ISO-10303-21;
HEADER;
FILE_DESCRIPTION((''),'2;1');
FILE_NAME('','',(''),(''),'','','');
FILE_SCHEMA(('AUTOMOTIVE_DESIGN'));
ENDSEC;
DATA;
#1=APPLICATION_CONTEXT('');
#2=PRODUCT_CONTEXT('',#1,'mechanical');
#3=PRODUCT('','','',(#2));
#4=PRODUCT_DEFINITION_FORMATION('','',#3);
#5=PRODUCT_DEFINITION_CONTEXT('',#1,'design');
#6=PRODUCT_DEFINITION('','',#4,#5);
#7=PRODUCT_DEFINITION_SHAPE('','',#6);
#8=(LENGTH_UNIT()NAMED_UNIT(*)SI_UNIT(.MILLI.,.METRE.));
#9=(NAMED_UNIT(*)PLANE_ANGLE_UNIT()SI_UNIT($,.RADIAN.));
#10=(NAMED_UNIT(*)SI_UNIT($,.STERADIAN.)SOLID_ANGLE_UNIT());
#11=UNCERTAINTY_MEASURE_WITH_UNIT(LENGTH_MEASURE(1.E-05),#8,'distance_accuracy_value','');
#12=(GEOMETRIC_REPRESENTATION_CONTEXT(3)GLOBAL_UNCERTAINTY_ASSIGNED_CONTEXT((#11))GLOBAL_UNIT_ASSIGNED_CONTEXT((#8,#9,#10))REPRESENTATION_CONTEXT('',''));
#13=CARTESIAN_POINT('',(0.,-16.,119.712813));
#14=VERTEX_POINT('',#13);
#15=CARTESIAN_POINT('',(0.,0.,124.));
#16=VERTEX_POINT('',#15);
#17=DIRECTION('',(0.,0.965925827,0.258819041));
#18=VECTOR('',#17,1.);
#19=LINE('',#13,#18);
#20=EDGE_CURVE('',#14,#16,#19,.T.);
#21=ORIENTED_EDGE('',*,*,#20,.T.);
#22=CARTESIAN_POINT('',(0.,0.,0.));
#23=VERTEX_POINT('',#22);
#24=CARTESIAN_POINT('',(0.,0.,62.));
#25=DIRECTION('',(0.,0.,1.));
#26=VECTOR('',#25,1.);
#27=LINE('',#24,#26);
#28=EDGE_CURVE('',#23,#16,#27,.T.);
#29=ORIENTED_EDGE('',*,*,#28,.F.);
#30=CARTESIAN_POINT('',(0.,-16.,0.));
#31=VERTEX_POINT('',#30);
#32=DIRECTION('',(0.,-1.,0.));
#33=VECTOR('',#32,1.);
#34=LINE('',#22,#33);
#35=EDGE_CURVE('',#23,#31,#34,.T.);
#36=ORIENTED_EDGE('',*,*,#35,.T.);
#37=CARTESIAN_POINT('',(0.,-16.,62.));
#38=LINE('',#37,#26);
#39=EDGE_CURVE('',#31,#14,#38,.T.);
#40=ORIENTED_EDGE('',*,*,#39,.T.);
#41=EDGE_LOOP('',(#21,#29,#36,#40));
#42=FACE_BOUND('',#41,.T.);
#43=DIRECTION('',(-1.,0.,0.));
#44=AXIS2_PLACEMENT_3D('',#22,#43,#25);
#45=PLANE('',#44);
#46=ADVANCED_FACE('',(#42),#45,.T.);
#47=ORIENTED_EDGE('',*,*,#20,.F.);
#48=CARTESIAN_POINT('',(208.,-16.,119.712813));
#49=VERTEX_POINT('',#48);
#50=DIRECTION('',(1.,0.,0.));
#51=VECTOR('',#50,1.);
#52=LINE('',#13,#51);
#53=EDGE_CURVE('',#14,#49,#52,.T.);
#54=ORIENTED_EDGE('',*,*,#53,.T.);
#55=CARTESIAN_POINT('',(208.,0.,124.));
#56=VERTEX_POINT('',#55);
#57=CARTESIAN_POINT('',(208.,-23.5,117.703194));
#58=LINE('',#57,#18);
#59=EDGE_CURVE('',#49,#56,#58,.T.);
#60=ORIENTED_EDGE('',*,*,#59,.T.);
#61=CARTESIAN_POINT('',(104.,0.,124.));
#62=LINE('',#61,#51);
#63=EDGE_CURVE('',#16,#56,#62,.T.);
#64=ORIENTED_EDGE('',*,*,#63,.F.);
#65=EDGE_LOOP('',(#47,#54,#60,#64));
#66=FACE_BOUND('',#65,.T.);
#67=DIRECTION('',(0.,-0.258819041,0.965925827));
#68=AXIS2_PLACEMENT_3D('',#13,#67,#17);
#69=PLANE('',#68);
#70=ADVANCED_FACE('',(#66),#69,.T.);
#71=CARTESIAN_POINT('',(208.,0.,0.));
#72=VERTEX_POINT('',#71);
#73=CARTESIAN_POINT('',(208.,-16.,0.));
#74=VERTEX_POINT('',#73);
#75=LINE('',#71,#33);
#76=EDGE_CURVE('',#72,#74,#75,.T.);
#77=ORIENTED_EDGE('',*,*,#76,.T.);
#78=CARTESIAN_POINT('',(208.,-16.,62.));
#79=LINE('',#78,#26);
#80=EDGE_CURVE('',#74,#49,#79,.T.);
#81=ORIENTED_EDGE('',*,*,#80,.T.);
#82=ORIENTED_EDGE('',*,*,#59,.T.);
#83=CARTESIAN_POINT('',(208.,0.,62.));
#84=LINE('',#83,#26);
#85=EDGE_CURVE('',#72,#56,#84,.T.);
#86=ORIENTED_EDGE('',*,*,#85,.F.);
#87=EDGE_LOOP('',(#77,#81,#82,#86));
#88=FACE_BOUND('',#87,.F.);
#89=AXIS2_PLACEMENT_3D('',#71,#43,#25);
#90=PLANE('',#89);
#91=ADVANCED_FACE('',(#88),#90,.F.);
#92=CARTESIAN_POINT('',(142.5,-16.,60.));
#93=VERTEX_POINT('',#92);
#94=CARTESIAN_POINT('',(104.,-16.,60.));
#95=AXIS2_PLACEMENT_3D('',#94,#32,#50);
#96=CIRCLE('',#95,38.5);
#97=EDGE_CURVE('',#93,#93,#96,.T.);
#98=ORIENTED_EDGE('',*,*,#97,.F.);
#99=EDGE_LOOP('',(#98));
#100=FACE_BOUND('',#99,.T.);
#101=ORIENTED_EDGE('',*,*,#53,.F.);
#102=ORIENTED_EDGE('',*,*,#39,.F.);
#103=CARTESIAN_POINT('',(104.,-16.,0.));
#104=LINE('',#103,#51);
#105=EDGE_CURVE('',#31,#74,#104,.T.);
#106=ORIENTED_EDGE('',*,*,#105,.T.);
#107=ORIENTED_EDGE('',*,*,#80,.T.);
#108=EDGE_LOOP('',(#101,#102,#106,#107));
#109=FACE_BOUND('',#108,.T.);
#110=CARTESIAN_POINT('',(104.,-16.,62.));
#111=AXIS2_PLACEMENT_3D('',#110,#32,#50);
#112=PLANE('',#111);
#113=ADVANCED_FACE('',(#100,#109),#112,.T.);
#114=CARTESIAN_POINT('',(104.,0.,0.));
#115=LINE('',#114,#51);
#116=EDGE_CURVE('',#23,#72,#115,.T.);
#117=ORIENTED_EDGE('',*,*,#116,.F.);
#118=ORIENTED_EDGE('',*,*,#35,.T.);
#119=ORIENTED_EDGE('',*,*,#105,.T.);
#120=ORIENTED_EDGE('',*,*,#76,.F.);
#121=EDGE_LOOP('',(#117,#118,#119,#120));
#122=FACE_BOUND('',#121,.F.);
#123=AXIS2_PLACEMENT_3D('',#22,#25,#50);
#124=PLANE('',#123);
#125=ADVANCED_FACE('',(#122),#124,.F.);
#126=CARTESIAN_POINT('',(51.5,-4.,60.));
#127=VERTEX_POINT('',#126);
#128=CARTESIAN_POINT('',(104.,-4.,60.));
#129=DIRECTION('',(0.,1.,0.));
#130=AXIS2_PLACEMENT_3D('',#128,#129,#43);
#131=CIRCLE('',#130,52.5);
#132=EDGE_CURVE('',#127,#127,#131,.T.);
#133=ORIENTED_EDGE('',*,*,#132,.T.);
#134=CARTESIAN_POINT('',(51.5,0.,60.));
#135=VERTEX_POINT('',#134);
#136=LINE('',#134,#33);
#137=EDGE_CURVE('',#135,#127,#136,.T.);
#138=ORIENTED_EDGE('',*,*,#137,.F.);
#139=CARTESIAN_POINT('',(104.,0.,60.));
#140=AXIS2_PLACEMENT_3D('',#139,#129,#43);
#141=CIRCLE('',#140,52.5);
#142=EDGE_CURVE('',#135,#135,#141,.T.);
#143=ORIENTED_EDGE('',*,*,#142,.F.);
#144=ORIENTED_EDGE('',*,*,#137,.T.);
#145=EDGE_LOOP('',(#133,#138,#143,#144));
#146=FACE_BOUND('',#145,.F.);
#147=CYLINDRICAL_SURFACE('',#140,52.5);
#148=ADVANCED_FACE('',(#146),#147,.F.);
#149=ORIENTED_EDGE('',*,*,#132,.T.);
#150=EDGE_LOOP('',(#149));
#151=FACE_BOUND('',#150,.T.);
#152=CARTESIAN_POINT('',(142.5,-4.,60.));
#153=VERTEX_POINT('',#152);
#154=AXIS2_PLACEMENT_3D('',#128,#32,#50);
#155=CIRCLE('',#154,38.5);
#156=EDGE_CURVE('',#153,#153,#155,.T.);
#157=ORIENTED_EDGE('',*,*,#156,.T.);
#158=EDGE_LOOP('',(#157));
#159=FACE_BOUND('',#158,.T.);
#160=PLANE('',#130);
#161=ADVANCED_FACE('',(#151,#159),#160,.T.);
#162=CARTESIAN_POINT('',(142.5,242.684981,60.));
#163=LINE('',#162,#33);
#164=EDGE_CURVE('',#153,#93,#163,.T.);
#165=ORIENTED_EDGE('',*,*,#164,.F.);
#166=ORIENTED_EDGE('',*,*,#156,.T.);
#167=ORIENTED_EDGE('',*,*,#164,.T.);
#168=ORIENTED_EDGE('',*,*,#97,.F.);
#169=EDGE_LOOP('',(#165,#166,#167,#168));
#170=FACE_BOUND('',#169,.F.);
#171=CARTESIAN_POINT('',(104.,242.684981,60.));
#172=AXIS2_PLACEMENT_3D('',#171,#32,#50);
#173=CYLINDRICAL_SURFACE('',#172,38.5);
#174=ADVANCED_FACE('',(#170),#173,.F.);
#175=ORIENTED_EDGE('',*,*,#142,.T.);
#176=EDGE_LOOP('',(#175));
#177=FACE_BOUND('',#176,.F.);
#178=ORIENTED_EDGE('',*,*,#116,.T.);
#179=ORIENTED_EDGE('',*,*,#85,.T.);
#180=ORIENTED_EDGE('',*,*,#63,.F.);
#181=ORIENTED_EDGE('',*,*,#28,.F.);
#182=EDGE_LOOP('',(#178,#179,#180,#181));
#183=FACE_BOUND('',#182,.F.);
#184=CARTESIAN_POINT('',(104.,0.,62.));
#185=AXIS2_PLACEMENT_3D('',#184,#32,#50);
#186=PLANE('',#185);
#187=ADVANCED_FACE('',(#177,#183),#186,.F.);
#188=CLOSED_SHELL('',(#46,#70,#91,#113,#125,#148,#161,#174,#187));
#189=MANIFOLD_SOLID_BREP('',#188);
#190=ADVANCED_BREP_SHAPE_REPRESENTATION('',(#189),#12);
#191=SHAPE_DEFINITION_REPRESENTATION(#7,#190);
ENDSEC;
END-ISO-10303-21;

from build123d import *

# Parameters (mm, degrees)
F0_W     = 208
F0_H     = 124
F1_DEPTH = 16
F3_DEPTH = 240
F5_D     = 77
F6_R     = 52.5
F7_DEPTH = 4


with BuildPart() as f1:
    # F0 (on Front) → F1 (new body)
    with BuildSketch(Plane.XZ):
        with Locations((104, 62)):
            Rectangle(F0_W, F0_H)
    extrude(amount=F1_DEPTH)

    # F2 (on Right) → F3 (cut)
    with BuildSketch(Plane.YZ):
        Polygon((-16, 119.712813), (0, 124), (-16, 124), align=None)
    extrude(amount=F3_DEPTH, mode=Mode.SUBTRACT)

    # F5 (through all)
    with Locations(Plane(origin=(0, 0, 0), x_dir=(-1, 0, 0), z_dir=(0, 1, 0))):
        with Locations((-104, 60)):
            Hole(F5_D / 2)

    # F6 (on face) → F7 (cut)
    with BuildSketch(Plane(origin=(0, 0, 0), x_dir=(-1, 0, 0), z_dir=(0, 1, 0))):
        with Locations((-104, 60)):
            Circle(F6_R)
    extrude(amount=-F7_DEPTH, mode=Mode.SUBTRACT)


solid = f1.part
